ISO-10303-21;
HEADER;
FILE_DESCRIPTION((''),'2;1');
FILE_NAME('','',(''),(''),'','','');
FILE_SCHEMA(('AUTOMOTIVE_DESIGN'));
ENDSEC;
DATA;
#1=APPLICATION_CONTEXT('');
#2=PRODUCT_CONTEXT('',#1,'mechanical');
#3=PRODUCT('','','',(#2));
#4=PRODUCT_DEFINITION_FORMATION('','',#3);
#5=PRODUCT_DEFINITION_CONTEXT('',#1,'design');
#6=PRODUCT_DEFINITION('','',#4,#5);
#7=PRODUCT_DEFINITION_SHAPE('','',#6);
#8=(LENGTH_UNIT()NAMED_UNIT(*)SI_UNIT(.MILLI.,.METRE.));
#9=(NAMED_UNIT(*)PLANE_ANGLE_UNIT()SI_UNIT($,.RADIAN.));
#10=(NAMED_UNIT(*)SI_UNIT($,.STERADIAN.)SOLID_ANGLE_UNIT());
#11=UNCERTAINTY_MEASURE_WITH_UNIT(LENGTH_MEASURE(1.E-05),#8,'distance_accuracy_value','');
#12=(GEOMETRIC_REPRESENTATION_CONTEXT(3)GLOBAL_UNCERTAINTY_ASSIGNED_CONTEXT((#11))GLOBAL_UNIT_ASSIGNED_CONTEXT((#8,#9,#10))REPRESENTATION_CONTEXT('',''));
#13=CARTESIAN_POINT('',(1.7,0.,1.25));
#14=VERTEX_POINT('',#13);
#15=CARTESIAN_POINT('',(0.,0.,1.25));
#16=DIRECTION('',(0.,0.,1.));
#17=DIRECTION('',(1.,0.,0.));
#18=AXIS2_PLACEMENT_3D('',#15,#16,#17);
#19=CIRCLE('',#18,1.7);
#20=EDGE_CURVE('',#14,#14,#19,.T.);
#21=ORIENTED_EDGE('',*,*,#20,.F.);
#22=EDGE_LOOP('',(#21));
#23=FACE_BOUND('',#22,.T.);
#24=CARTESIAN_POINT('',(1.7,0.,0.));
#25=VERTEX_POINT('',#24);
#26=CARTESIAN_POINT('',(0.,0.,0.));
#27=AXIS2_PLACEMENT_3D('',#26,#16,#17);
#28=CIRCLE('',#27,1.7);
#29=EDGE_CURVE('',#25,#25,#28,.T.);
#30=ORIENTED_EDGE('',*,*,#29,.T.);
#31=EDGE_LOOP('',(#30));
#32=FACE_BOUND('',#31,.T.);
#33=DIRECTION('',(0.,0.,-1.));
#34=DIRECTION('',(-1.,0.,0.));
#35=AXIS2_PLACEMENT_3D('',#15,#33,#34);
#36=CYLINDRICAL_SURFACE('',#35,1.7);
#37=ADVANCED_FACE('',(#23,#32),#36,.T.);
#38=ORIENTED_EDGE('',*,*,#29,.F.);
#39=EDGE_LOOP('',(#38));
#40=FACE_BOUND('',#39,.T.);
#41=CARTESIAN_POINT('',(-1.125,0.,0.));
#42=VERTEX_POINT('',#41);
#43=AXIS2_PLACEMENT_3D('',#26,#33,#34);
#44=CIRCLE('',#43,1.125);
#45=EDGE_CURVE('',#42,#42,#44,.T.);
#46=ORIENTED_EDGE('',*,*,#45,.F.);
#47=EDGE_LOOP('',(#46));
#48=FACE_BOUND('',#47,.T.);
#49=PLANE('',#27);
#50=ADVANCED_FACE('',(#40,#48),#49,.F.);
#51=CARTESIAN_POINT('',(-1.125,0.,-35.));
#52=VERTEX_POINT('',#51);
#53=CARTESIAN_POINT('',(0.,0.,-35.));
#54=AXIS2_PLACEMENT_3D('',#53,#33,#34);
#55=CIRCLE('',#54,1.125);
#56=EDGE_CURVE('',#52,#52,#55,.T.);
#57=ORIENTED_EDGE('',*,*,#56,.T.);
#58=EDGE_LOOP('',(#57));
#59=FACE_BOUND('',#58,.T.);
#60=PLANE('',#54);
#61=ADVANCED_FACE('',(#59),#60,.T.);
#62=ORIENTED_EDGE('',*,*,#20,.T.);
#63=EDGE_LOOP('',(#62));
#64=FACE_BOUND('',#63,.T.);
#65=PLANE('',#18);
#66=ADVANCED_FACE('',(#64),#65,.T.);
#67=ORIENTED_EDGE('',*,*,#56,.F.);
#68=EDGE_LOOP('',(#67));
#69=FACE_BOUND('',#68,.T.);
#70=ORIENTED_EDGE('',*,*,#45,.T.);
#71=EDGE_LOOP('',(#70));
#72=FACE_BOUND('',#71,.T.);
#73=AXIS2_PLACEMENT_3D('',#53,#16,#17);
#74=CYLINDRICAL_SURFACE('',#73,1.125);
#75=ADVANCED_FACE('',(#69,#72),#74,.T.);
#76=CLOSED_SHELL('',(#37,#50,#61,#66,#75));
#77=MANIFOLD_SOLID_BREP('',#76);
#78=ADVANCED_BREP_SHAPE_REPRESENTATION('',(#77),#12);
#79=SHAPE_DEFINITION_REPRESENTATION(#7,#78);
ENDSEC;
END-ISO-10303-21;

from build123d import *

# Parameters (mm, degrees)
ESQUISSE1_R        = 1.7
BOSS_EXTRU_1_DEPTH = 1.25
ESQUISSE2_R        = 1.125
BOSS_EXTRU_2_DEPTH = 35


with BuildPart() as part:
    # Esquisse1 → Boss.-Extru.1 (new body)
    with BuildSketch(Plane.XY):
        Circle(ESQUISSE1_R)
    extrude(amount=BOSS_EXTRU_1_DEPTH)

    # Esquisse2 → Boss.-Extru.2 (add)
    with BuildSketch(Plane(origin=(0, 0, 0), x_dir=(-1, 0, 0), z_dir=(0, 0, -1))):
        Circle(ESQUISSE2_R)
    extrude(amount=BOSS_EXTRU_2_DEPTH)


solid = part.part
